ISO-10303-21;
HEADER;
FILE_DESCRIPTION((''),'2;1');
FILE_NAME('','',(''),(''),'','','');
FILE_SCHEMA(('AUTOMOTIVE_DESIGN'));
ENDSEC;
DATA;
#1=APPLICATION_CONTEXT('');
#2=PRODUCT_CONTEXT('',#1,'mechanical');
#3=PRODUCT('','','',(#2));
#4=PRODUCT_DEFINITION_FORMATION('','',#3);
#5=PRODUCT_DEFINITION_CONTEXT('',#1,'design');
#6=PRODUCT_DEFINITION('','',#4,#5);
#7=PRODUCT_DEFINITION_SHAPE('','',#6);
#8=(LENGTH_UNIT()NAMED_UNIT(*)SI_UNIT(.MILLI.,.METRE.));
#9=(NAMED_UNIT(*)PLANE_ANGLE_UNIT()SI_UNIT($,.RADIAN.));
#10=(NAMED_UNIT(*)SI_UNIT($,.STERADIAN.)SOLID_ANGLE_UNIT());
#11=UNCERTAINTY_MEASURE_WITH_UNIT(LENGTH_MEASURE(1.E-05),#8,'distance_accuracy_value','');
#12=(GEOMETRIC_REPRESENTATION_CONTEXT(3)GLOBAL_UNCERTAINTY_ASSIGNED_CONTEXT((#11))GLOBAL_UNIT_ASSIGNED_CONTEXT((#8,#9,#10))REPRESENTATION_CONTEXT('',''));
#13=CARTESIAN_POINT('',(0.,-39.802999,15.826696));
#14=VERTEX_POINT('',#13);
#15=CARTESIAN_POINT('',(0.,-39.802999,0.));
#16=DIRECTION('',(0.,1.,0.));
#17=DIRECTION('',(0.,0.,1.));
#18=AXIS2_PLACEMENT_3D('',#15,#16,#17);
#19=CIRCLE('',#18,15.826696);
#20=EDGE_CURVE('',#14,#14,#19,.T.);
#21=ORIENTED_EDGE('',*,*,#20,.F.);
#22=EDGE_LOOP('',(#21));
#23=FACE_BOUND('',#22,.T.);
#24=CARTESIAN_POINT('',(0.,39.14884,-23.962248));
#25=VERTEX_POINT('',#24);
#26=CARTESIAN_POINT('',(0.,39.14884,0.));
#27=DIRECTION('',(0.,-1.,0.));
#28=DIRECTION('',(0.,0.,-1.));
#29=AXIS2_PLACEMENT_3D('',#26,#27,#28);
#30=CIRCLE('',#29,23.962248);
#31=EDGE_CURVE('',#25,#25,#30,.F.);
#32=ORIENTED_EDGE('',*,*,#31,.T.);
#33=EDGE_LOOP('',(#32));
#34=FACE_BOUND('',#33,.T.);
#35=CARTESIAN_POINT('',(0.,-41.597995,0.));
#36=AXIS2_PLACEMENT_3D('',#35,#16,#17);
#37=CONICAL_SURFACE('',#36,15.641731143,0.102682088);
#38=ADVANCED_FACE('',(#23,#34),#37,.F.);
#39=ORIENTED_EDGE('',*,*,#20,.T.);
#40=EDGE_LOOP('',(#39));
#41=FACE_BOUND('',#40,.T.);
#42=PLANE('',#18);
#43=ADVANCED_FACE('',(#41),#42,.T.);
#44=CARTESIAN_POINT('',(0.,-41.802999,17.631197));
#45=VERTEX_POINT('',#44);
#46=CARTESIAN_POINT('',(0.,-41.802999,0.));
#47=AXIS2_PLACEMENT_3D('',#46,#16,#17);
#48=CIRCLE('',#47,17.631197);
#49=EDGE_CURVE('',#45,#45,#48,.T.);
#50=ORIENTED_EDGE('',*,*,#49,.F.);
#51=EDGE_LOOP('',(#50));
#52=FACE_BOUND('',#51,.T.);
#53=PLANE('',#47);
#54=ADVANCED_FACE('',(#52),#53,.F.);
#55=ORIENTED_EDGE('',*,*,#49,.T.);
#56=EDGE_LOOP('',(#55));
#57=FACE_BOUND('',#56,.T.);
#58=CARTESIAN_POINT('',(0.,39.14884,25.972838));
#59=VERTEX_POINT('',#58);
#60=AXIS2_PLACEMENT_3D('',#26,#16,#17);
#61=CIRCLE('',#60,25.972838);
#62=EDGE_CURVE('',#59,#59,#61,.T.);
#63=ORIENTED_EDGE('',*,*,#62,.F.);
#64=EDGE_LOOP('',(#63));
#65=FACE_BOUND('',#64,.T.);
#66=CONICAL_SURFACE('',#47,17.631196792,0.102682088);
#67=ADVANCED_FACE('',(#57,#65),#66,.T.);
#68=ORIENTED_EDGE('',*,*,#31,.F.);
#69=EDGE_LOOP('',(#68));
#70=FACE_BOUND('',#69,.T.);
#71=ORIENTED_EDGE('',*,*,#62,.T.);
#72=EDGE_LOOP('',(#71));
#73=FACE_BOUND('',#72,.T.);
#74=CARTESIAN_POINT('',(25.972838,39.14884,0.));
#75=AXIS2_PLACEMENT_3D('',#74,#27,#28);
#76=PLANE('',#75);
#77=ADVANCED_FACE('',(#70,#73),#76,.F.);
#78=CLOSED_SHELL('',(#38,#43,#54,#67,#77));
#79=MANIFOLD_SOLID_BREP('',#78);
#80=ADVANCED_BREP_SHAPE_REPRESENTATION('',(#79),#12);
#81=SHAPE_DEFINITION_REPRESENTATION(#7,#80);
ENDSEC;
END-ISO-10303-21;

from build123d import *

# Parameters (mm, degrees)
COQUE4_T = -2


with BuildPart() as part:
    # Esquisse1 → Révolution1 (revolve)
    with BuildSketch(Plane.XY, mode=Mode.PRIVATE) as r_volution1_sk:
        Polygon((0, -41.802998847), (17.631196792, -41.802998847), (25.972838286, 39.14884019), (0, 39.14884019), align=None)
    revolve(r_volution1_sk.sketch.rotate(Axis((0, 50.14464034, 0), (0, -1, 0)), 90), axis=Axis((0, 50.14464034, 0), (0, -1, 0)))

    # Coque4
    coque4_openings = [part.faces().sort_by_distance(p)[0] for p in [
        (0, 39.14884019, 0),
    ]]
    offset(amount=COQUE4_T, openings=coque4_openings, kind=Kind.INTERSECTION)


solid = part.part
